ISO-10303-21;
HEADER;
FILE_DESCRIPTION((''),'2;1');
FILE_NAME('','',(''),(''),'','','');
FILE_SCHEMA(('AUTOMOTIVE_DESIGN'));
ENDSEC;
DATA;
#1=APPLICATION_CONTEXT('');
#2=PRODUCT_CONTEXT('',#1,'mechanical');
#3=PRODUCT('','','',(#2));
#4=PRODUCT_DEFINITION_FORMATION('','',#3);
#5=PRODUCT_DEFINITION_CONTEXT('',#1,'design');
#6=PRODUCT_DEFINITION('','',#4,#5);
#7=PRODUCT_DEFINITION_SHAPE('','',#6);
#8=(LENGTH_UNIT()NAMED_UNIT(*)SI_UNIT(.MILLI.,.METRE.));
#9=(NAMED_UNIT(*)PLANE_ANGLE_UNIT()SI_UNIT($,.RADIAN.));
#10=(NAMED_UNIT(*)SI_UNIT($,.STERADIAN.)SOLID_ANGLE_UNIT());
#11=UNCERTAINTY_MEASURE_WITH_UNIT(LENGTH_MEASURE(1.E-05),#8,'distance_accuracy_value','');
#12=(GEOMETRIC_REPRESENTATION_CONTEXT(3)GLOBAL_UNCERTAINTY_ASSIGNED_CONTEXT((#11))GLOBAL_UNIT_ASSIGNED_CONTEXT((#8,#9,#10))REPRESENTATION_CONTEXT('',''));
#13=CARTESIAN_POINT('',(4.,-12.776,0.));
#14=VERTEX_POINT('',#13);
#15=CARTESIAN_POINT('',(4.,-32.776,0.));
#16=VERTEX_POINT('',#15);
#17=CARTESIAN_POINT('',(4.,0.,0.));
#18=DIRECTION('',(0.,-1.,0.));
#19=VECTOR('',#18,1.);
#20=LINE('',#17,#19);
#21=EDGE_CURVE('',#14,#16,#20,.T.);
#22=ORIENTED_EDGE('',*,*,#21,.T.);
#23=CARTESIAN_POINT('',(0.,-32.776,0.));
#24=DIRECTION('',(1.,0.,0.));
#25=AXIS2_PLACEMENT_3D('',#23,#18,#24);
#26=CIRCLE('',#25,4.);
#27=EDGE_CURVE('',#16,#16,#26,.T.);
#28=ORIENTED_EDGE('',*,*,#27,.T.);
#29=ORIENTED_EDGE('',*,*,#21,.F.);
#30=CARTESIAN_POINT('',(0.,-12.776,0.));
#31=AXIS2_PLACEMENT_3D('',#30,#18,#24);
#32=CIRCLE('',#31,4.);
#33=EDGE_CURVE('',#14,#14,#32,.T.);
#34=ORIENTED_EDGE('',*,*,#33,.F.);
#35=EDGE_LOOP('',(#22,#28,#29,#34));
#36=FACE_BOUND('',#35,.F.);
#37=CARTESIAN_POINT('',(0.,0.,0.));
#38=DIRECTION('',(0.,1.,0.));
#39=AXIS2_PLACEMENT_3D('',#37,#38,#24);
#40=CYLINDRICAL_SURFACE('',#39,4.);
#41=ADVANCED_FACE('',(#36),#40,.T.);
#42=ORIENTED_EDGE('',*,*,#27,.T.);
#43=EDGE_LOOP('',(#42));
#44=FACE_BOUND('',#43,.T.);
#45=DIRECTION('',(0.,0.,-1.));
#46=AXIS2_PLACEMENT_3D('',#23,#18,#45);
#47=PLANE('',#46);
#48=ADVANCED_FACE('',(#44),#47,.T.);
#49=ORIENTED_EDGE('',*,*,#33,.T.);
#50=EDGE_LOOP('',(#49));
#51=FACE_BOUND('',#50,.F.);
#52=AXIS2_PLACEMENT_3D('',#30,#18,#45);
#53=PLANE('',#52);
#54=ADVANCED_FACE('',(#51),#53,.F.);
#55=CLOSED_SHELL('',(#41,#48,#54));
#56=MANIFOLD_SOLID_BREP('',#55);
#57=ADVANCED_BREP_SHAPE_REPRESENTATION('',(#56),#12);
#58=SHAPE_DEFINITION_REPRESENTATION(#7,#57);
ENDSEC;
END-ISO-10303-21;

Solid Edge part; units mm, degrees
sketch "Sketch1" plane through (0, 0, 0) normal (0, -1, 0) x (1, 0, 0)
  circle A0 centre (0, 0) radius 4
extrude "Protrusion1" add sketch "Sketch1" along normal blind 32.776
sketch "Sketch2" plane through (0, 0, 0) normal (0, -1, 0) x (1, 0, 0)
  circle A0 centre (0, 0) radius 4
extrude "Cutout1" cut sketch "Sketch2" along normal up to vertex (12.776 mm away)
